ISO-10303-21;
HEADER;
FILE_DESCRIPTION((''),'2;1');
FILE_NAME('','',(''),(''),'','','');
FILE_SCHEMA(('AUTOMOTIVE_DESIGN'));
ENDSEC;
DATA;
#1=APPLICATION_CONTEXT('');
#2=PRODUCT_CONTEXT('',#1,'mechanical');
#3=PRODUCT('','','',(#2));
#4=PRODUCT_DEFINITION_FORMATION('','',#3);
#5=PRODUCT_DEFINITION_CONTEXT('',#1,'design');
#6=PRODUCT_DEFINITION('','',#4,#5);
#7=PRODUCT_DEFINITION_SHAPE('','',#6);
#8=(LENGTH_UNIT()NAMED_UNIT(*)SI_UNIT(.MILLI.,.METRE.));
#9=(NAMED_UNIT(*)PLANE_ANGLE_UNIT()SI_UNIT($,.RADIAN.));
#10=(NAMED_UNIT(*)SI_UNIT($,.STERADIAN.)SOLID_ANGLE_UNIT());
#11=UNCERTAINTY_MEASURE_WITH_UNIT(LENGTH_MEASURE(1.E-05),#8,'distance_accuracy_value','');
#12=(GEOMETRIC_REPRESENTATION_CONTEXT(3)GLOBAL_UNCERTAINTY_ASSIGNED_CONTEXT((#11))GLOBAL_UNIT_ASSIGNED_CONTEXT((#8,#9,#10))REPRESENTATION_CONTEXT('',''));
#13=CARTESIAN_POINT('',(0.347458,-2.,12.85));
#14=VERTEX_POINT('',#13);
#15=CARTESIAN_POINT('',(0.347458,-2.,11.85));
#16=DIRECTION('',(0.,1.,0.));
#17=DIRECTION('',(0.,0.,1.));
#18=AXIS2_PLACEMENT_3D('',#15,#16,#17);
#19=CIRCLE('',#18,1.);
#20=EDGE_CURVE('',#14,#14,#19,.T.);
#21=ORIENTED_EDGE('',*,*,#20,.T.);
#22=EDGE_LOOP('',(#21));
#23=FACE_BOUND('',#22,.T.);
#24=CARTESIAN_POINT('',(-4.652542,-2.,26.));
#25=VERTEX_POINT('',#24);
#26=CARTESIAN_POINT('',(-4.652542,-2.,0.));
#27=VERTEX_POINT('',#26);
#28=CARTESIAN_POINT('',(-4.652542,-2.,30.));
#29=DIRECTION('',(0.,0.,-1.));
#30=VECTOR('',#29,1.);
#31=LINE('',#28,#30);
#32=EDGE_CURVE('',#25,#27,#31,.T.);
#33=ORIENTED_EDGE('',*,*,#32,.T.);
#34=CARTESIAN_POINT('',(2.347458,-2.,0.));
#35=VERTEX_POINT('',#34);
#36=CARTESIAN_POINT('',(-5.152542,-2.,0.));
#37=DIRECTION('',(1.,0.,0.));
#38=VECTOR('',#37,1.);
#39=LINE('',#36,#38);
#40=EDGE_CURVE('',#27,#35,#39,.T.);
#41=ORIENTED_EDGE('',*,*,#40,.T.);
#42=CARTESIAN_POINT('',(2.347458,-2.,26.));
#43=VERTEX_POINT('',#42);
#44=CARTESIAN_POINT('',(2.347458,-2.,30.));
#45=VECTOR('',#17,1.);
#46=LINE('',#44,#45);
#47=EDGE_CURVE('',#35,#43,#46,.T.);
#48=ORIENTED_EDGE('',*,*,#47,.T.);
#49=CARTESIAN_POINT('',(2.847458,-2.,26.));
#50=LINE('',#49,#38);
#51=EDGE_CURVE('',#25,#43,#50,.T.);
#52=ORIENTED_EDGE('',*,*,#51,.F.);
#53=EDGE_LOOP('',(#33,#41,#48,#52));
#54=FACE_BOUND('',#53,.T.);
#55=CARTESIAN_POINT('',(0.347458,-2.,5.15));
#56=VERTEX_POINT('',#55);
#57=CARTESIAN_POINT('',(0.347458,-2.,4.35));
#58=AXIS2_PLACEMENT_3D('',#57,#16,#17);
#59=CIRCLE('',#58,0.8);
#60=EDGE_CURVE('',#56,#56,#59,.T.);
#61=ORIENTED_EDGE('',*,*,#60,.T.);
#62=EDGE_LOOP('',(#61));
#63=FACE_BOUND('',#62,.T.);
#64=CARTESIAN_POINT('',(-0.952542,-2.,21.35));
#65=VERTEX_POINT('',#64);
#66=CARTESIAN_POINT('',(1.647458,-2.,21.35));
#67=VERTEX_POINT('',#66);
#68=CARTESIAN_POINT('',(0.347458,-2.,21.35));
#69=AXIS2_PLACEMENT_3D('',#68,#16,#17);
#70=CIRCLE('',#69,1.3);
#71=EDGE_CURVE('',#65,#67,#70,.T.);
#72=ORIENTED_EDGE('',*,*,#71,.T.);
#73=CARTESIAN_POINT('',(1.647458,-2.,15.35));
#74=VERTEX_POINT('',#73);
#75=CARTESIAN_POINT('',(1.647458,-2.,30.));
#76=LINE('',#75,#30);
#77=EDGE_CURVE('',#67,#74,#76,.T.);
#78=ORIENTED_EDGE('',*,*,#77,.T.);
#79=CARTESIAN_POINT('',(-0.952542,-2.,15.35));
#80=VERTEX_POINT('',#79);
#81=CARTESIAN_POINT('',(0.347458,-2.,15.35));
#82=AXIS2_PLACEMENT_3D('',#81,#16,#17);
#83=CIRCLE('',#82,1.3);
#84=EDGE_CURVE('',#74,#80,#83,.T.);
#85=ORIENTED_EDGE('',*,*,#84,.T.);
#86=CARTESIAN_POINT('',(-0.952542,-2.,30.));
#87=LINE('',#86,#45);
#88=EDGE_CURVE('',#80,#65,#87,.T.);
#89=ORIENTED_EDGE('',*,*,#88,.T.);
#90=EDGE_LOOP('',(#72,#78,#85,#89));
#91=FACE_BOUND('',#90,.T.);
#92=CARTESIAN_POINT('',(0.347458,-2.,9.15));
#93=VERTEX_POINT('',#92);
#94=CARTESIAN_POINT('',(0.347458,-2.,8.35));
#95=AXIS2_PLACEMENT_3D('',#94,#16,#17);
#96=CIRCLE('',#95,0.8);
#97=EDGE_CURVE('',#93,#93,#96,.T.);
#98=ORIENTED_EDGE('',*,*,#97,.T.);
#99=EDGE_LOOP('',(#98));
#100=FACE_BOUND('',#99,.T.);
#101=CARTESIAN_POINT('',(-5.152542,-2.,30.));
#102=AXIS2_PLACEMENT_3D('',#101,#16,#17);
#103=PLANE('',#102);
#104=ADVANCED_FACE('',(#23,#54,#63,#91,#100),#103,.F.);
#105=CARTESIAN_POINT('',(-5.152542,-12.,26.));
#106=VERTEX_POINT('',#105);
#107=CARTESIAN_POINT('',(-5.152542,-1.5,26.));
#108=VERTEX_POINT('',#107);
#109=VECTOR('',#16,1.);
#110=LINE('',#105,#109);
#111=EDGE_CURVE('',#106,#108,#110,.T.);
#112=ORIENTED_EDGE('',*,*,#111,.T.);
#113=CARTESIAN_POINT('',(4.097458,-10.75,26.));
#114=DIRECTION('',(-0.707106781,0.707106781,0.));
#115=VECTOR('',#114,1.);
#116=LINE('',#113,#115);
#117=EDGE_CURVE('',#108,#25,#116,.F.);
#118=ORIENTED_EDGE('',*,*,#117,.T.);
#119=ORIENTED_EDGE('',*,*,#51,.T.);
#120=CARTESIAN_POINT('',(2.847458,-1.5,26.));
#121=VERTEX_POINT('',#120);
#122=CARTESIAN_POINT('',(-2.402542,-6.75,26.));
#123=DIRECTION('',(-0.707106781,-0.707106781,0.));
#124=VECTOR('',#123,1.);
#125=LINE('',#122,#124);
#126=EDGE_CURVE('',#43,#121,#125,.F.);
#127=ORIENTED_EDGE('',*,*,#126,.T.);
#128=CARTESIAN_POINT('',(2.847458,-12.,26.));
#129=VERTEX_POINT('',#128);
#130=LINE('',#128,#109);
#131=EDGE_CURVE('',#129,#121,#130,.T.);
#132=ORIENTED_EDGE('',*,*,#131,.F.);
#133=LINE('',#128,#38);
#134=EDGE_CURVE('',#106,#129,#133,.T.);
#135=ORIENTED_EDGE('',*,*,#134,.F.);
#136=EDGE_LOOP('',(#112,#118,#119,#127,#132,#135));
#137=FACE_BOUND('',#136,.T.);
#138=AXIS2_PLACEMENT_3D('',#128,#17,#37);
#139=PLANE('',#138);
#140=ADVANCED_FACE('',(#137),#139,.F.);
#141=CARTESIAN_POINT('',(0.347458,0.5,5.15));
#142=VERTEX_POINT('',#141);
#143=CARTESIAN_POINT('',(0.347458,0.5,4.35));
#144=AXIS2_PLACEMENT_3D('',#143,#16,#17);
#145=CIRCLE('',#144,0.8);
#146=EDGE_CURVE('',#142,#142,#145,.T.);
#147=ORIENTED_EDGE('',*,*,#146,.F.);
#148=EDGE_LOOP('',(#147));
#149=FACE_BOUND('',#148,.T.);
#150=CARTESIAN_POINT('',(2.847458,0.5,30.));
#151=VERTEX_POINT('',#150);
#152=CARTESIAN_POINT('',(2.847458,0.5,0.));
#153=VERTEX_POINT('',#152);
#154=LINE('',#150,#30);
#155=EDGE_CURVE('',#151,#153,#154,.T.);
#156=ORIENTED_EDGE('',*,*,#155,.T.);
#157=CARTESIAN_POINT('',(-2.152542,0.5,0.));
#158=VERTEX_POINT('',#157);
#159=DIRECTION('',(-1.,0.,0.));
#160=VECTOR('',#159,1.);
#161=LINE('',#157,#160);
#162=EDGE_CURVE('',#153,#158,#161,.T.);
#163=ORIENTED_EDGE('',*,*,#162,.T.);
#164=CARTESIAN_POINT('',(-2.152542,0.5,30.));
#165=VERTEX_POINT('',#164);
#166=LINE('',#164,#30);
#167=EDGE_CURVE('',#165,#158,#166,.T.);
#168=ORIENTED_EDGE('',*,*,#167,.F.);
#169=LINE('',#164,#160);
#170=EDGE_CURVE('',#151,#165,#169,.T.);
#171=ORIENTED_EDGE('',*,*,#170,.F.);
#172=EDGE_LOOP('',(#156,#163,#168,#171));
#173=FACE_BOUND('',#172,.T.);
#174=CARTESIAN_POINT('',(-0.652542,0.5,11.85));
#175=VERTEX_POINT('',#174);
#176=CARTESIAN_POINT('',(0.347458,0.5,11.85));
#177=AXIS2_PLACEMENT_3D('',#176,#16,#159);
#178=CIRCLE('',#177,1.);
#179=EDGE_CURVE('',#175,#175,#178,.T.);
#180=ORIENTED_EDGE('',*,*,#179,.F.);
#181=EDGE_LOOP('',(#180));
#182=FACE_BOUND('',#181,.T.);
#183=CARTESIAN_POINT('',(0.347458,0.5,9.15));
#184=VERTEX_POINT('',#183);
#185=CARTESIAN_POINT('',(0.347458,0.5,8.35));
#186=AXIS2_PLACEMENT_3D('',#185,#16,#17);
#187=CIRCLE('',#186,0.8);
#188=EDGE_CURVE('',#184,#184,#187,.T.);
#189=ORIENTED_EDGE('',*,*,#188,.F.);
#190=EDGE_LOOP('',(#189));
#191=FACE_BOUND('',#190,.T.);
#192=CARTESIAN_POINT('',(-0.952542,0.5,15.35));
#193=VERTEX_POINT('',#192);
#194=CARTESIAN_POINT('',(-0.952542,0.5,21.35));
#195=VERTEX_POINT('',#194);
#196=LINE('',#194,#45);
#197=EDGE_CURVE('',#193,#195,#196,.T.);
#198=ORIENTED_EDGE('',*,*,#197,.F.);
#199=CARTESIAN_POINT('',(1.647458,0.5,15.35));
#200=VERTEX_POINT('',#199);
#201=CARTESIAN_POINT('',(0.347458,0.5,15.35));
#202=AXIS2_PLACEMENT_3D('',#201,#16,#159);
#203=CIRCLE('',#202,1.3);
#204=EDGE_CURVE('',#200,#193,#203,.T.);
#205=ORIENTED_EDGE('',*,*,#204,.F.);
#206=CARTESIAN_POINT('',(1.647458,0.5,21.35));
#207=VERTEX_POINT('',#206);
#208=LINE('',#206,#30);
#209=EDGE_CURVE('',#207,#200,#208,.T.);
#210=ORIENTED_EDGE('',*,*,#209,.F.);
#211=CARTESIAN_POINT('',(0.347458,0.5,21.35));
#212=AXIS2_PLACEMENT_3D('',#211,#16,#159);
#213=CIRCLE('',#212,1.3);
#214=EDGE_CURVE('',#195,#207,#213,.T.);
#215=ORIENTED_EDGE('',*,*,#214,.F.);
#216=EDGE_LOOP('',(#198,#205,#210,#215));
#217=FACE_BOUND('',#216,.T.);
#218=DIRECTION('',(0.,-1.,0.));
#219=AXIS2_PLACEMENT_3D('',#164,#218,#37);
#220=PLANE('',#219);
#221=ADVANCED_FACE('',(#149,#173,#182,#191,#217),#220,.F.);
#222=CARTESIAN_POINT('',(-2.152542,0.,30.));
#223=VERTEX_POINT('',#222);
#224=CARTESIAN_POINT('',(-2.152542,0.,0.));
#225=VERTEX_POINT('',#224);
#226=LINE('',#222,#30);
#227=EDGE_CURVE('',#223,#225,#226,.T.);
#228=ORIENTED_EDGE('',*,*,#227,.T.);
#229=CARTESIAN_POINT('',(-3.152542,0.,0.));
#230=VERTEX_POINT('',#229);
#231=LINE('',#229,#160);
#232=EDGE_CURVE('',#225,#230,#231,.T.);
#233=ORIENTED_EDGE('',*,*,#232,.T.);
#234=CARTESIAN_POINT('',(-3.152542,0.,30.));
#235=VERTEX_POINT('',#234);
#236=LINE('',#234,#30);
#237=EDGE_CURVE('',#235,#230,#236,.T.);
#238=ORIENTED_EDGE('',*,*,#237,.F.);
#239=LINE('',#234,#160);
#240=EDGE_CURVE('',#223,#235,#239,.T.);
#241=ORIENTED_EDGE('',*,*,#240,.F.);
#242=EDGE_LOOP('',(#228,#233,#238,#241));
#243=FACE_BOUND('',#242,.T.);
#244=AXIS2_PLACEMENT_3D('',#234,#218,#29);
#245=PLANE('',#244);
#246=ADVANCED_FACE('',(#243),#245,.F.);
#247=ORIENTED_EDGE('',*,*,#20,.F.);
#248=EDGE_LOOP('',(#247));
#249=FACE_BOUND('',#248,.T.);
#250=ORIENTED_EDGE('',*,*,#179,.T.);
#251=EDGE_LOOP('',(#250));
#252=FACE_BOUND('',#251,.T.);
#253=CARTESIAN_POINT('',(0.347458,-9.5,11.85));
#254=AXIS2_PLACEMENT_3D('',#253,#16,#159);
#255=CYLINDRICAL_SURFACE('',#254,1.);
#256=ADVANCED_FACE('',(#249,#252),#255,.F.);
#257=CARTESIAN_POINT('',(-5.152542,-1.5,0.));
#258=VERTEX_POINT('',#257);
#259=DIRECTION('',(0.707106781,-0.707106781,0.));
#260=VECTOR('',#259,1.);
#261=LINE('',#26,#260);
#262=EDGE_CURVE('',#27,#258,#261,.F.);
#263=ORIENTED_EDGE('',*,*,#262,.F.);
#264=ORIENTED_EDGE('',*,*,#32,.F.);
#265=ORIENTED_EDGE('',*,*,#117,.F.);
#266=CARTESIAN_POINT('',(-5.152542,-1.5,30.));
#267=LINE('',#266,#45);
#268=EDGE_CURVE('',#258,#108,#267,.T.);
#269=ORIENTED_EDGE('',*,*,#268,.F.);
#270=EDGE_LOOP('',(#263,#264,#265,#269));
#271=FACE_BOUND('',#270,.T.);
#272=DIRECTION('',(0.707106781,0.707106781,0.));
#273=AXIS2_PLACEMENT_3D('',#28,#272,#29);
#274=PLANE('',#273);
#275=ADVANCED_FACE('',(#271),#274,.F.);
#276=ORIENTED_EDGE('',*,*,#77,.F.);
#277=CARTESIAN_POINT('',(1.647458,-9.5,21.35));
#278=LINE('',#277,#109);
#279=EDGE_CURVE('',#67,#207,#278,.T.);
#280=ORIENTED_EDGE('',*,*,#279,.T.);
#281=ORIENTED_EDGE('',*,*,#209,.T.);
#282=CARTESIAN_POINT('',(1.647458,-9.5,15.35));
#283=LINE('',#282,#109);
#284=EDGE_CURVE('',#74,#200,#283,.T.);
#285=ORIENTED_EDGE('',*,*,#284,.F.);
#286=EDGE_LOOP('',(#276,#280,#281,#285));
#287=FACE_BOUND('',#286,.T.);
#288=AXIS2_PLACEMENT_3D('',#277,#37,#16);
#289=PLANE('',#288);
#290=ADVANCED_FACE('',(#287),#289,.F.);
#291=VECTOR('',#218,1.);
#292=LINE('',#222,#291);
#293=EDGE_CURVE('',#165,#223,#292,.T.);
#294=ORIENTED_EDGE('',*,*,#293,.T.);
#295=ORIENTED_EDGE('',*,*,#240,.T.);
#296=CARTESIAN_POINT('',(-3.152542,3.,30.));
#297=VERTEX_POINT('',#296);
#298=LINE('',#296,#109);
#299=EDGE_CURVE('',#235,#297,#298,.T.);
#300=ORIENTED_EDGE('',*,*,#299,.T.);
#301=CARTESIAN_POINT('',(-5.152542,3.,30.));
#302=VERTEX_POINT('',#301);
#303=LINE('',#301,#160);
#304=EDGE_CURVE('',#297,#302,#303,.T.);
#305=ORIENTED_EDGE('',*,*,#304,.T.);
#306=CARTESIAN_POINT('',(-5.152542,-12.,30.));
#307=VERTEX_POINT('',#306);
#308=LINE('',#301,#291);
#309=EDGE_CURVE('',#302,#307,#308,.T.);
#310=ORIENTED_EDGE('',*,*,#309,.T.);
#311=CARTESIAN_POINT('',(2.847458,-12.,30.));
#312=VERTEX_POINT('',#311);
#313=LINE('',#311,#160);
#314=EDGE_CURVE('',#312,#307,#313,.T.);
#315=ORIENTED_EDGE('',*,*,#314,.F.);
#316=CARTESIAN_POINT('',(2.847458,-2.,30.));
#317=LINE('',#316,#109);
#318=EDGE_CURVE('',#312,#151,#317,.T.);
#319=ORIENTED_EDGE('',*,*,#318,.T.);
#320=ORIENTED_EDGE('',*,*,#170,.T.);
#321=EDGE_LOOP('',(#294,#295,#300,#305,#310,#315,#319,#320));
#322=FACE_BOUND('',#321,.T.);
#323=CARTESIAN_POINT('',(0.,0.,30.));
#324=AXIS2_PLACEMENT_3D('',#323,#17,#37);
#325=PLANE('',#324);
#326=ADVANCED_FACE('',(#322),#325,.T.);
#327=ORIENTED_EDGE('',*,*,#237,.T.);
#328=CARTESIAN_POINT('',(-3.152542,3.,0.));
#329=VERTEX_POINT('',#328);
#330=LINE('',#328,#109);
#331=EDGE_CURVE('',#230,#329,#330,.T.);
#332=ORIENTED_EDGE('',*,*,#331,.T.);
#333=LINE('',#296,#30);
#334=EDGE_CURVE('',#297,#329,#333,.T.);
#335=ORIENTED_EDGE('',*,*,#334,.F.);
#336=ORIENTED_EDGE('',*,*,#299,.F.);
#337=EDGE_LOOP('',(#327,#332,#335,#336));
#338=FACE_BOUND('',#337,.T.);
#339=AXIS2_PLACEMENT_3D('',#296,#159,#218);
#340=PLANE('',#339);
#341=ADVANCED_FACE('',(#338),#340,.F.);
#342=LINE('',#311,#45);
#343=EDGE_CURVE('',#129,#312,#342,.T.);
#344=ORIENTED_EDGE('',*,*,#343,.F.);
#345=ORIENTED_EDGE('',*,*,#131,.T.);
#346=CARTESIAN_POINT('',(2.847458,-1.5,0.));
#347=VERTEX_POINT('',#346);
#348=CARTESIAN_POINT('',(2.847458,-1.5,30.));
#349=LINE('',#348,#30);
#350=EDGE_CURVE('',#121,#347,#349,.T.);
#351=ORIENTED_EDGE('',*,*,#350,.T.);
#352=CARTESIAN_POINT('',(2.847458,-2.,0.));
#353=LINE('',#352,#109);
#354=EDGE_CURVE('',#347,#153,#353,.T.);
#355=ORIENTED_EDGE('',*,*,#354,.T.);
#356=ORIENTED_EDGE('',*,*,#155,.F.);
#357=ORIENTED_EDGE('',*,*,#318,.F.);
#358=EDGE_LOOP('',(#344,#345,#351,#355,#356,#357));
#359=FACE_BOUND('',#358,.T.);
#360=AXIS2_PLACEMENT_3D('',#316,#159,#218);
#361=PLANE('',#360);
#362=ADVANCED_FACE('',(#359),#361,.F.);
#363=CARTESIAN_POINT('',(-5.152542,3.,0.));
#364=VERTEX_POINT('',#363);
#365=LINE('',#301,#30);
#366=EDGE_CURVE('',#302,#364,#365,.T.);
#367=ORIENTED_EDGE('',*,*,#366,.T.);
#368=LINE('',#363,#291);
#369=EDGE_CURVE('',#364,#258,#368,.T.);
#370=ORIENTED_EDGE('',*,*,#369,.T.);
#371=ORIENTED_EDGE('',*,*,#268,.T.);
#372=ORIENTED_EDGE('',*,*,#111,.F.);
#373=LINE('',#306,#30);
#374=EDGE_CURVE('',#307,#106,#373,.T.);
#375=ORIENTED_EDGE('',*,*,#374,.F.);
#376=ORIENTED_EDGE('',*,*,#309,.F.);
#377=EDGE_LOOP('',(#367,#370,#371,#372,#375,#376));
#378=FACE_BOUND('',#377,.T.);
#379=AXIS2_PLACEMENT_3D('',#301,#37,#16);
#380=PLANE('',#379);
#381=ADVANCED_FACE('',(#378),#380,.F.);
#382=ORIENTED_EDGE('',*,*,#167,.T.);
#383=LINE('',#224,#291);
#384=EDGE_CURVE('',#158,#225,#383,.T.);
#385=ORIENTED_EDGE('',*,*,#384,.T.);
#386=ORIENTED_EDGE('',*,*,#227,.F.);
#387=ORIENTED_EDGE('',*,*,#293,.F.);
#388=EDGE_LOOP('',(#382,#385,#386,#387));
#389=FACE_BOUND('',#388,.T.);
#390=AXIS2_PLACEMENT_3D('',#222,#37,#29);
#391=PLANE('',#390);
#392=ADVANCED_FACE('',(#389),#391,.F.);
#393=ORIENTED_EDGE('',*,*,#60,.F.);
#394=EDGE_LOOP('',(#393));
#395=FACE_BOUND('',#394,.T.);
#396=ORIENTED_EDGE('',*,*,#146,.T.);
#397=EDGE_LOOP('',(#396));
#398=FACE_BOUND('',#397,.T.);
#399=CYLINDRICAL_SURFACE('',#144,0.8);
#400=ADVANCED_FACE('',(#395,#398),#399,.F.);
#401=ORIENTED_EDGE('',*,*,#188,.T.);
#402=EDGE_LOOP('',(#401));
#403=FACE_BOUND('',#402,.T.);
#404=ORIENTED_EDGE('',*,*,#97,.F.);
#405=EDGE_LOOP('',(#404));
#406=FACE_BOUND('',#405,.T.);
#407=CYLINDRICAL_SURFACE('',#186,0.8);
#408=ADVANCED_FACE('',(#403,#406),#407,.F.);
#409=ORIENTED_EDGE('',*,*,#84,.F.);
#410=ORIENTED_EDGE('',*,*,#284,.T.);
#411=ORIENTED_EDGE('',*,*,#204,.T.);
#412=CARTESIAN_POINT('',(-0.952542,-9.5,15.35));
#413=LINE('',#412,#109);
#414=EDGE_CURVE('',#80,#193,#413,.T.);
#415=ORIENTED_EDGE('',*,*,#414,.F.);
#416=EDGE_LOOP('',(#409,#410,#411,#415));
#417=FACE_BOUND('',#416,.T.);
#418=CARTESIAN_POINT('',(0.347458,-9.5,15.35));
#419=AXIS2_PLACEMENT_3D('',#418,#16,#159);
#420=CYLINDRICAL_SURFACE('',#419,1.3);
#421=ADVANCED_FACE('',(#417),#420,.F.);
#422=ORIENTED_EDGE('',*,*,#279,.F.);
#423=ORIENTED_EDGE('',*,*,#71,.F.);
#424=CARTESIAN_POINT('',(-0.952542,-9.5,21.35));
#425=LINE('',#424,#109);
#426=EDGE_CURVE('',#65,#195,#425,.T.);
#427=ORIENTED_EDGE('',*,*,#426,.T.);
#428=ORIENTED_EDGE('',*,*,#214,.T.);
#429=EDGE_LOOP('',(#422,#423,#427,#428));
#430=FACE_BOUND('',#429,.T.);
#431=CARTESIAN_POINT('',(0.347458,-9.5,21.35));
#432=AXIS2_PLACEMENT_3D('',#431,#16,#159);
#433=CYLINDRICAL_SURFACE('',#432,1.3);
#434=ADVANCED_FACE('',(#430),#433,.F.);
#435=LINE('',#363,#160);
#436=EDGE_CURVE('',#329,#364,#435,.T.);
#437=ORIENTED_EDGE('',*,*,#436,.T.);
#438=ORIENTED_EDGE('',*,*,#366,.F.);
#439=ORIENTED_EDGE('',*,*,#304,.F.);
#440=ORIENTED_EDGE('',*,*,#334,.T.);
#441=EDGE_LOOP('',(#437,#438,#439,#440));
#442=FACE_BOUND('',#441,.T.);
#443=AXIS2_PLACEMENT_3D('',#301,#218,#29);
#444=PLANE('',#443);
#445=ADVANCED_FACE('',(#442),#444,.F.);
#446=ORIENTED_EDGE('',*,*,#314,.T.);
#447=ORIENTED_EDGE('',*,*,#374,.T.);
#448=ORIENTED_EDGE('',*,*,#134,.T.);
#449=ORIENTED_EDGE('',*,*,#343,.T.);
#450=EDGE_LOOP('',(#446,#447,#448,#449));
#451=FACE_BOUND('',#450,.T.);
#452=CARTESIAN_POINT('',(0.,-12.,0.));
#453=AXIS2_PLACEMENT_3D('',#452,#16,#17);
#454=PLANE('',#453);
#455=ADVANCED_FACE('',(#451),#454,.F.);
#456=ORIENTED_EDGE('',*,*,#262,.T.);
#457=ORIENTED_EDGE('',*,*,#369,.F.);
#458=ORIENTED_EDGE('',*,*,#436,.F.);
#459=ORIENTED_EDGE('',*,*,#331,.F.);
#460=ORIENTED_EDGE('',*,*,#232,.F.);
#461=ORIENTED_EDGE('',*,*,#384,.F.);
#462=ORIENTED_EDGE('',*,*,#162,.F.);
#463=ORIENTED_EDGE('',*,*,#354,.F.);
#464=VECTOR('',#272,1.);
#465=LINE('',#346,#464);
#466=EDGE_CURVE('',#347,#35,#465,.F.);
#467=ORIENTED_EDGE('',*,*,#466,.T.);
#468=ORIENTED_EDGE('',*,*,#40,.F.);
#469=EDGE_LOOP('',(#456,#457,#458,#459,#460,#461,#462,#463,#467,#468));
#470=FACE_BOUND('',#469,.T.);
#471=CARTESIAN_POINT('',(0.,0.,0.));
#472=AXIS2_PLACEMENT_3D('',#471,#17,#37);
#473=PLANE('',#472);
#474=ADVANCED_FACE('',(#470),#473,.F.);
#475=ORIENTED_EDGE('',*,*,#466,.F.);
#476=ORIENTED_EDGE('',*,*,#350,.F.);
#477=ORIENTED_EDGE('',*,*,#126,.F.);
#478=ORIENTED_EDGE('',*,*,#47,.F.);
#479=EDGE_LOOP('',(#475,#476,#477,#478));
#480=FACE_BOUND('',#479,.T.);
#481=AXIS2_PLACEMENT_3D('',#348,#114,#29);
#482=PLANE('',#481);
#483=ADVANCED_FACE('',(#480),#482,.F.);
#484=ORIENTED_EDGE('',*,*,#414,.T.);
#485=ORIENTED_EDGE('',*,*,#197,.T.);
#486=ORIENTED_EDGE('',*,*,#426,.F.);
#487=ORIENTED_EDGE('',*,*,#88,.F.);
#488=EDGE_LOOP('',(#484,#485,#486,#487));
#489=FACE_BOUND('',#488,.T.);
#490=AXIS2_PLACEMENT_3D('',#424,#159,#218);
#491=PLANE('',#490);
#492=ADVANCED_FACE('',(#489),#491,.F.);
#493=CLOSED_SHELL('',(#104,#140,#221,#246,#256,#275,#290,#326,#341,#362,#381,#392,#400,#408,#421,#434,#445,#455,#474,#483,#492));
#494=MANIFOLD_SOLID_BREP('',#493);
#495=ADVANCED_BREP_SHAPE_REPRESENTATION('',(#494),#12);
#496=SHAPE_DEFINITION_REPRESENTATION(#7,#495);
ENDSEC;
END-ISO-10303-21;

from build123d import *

# Parameters (mm, degrees)
BOSS_EXTRUDE1_DEPTH   = 30
SKETCH3_R             = 1
CUT_EXTRUDE1_DEPTH    = 10
M2_TAPPED_HOLE1_D     = 1.6
M2_TAPPED_HOLE1_DEPTH = 5.2
M2_TAPPED_HOLE1_TIP   = 0.480688495
SKETCH2_W             = 8
SKETCH2_H             = 4
BOSS_EXTRUDE2_DEPTH   = 10
CHAMFER1_SIZE         = 0.5


with BuildPart() as part:
    # Sketch1 → Boss-Extrude1 (new body)
    with BuildSketch(Plane.XY):
        Polygon((-5.152542373, 3), (-3.152542373, 3), (-3.152542373, 0), (-2.152542373, 0), (-2.152542373, 0.5), (2.847457627, 0.5), (2.847457627, -2), (-5.152542373, -2), align=None)
    extrude(amount=BOSS_EXTRUDE1_DEPTH)

    # Sketch3 → Cut-Extrude1 (cut)
    with BuildSketch(Plane(origin=(0, 0.5, 0), x_dir=(1, 0, 0), z_dir=(0, 1, 0))):
        with Locations((0.347457627, -11.85)):
            Circle(SKETCH3_R)
        with BuildLine():
            Line((-0.952542373, -21.35), (-0.952542373, -15.35))
            ThreePointArc((-0.952542373, -15.35), (0.347457627, -14.05), (1.647457627, -15.35))
            Line((1.647457627, -15.35), (1.647457627, -21.35))
            ThreePointArc((1.647457627, -21.35), (0.347457627, -22.65), (-0.952542373, -21.35))
        make_face()
    extrude(amount=-CUT_EXTRUDE1_DEPTH, mode=Mode.SUBTRACT)

    # M2 Tapped Hole1
    with Locations(Plane(origin=(0, 0.5, 0), x_dir=(1, 0, 0), z_dir=(0, 1, 0))):
        with Locations((0.347457627, -4.35), (0.347457627, -8.35)):
            Hole(M2_TAPPED_HOLE1_D / 2, depth=M2_TAPPED_HOLE1_DEPTH)
            with Locations((0, 0, -(M2_TAPPED_HOLE1_DEPTH + M2_TAPPED_HOLE1_TIP / 2))):  # 118° drill point
                Cone(0, M2_TAPPED_HOLE1_D / 2, M2_TAPPED_HOLE1_TIP, mode=Mode.SUBTRACT)

    # Sketch2 → Boss-Extrude2 (add)
    with BuildSketch(Plane.XZ.offset(2)):
        with Locations((-1.152542373, 28)):
            Rectangle(SKETCH2_W, SKETCH2_H)
    extrude(amount=BOSS_EXTRUDE2_DEPTH)

    # Chamfer1
    chamfer1_edges = [part.edges().sort_by_distance(p)[0] for p in [
        (2.847457627, -2, 13),
        (-5.152542373, -2, 13),
    ]]
    chamfer(chamfer1_edges, length=CHAMFER1_SIZE)


solid = part.part
